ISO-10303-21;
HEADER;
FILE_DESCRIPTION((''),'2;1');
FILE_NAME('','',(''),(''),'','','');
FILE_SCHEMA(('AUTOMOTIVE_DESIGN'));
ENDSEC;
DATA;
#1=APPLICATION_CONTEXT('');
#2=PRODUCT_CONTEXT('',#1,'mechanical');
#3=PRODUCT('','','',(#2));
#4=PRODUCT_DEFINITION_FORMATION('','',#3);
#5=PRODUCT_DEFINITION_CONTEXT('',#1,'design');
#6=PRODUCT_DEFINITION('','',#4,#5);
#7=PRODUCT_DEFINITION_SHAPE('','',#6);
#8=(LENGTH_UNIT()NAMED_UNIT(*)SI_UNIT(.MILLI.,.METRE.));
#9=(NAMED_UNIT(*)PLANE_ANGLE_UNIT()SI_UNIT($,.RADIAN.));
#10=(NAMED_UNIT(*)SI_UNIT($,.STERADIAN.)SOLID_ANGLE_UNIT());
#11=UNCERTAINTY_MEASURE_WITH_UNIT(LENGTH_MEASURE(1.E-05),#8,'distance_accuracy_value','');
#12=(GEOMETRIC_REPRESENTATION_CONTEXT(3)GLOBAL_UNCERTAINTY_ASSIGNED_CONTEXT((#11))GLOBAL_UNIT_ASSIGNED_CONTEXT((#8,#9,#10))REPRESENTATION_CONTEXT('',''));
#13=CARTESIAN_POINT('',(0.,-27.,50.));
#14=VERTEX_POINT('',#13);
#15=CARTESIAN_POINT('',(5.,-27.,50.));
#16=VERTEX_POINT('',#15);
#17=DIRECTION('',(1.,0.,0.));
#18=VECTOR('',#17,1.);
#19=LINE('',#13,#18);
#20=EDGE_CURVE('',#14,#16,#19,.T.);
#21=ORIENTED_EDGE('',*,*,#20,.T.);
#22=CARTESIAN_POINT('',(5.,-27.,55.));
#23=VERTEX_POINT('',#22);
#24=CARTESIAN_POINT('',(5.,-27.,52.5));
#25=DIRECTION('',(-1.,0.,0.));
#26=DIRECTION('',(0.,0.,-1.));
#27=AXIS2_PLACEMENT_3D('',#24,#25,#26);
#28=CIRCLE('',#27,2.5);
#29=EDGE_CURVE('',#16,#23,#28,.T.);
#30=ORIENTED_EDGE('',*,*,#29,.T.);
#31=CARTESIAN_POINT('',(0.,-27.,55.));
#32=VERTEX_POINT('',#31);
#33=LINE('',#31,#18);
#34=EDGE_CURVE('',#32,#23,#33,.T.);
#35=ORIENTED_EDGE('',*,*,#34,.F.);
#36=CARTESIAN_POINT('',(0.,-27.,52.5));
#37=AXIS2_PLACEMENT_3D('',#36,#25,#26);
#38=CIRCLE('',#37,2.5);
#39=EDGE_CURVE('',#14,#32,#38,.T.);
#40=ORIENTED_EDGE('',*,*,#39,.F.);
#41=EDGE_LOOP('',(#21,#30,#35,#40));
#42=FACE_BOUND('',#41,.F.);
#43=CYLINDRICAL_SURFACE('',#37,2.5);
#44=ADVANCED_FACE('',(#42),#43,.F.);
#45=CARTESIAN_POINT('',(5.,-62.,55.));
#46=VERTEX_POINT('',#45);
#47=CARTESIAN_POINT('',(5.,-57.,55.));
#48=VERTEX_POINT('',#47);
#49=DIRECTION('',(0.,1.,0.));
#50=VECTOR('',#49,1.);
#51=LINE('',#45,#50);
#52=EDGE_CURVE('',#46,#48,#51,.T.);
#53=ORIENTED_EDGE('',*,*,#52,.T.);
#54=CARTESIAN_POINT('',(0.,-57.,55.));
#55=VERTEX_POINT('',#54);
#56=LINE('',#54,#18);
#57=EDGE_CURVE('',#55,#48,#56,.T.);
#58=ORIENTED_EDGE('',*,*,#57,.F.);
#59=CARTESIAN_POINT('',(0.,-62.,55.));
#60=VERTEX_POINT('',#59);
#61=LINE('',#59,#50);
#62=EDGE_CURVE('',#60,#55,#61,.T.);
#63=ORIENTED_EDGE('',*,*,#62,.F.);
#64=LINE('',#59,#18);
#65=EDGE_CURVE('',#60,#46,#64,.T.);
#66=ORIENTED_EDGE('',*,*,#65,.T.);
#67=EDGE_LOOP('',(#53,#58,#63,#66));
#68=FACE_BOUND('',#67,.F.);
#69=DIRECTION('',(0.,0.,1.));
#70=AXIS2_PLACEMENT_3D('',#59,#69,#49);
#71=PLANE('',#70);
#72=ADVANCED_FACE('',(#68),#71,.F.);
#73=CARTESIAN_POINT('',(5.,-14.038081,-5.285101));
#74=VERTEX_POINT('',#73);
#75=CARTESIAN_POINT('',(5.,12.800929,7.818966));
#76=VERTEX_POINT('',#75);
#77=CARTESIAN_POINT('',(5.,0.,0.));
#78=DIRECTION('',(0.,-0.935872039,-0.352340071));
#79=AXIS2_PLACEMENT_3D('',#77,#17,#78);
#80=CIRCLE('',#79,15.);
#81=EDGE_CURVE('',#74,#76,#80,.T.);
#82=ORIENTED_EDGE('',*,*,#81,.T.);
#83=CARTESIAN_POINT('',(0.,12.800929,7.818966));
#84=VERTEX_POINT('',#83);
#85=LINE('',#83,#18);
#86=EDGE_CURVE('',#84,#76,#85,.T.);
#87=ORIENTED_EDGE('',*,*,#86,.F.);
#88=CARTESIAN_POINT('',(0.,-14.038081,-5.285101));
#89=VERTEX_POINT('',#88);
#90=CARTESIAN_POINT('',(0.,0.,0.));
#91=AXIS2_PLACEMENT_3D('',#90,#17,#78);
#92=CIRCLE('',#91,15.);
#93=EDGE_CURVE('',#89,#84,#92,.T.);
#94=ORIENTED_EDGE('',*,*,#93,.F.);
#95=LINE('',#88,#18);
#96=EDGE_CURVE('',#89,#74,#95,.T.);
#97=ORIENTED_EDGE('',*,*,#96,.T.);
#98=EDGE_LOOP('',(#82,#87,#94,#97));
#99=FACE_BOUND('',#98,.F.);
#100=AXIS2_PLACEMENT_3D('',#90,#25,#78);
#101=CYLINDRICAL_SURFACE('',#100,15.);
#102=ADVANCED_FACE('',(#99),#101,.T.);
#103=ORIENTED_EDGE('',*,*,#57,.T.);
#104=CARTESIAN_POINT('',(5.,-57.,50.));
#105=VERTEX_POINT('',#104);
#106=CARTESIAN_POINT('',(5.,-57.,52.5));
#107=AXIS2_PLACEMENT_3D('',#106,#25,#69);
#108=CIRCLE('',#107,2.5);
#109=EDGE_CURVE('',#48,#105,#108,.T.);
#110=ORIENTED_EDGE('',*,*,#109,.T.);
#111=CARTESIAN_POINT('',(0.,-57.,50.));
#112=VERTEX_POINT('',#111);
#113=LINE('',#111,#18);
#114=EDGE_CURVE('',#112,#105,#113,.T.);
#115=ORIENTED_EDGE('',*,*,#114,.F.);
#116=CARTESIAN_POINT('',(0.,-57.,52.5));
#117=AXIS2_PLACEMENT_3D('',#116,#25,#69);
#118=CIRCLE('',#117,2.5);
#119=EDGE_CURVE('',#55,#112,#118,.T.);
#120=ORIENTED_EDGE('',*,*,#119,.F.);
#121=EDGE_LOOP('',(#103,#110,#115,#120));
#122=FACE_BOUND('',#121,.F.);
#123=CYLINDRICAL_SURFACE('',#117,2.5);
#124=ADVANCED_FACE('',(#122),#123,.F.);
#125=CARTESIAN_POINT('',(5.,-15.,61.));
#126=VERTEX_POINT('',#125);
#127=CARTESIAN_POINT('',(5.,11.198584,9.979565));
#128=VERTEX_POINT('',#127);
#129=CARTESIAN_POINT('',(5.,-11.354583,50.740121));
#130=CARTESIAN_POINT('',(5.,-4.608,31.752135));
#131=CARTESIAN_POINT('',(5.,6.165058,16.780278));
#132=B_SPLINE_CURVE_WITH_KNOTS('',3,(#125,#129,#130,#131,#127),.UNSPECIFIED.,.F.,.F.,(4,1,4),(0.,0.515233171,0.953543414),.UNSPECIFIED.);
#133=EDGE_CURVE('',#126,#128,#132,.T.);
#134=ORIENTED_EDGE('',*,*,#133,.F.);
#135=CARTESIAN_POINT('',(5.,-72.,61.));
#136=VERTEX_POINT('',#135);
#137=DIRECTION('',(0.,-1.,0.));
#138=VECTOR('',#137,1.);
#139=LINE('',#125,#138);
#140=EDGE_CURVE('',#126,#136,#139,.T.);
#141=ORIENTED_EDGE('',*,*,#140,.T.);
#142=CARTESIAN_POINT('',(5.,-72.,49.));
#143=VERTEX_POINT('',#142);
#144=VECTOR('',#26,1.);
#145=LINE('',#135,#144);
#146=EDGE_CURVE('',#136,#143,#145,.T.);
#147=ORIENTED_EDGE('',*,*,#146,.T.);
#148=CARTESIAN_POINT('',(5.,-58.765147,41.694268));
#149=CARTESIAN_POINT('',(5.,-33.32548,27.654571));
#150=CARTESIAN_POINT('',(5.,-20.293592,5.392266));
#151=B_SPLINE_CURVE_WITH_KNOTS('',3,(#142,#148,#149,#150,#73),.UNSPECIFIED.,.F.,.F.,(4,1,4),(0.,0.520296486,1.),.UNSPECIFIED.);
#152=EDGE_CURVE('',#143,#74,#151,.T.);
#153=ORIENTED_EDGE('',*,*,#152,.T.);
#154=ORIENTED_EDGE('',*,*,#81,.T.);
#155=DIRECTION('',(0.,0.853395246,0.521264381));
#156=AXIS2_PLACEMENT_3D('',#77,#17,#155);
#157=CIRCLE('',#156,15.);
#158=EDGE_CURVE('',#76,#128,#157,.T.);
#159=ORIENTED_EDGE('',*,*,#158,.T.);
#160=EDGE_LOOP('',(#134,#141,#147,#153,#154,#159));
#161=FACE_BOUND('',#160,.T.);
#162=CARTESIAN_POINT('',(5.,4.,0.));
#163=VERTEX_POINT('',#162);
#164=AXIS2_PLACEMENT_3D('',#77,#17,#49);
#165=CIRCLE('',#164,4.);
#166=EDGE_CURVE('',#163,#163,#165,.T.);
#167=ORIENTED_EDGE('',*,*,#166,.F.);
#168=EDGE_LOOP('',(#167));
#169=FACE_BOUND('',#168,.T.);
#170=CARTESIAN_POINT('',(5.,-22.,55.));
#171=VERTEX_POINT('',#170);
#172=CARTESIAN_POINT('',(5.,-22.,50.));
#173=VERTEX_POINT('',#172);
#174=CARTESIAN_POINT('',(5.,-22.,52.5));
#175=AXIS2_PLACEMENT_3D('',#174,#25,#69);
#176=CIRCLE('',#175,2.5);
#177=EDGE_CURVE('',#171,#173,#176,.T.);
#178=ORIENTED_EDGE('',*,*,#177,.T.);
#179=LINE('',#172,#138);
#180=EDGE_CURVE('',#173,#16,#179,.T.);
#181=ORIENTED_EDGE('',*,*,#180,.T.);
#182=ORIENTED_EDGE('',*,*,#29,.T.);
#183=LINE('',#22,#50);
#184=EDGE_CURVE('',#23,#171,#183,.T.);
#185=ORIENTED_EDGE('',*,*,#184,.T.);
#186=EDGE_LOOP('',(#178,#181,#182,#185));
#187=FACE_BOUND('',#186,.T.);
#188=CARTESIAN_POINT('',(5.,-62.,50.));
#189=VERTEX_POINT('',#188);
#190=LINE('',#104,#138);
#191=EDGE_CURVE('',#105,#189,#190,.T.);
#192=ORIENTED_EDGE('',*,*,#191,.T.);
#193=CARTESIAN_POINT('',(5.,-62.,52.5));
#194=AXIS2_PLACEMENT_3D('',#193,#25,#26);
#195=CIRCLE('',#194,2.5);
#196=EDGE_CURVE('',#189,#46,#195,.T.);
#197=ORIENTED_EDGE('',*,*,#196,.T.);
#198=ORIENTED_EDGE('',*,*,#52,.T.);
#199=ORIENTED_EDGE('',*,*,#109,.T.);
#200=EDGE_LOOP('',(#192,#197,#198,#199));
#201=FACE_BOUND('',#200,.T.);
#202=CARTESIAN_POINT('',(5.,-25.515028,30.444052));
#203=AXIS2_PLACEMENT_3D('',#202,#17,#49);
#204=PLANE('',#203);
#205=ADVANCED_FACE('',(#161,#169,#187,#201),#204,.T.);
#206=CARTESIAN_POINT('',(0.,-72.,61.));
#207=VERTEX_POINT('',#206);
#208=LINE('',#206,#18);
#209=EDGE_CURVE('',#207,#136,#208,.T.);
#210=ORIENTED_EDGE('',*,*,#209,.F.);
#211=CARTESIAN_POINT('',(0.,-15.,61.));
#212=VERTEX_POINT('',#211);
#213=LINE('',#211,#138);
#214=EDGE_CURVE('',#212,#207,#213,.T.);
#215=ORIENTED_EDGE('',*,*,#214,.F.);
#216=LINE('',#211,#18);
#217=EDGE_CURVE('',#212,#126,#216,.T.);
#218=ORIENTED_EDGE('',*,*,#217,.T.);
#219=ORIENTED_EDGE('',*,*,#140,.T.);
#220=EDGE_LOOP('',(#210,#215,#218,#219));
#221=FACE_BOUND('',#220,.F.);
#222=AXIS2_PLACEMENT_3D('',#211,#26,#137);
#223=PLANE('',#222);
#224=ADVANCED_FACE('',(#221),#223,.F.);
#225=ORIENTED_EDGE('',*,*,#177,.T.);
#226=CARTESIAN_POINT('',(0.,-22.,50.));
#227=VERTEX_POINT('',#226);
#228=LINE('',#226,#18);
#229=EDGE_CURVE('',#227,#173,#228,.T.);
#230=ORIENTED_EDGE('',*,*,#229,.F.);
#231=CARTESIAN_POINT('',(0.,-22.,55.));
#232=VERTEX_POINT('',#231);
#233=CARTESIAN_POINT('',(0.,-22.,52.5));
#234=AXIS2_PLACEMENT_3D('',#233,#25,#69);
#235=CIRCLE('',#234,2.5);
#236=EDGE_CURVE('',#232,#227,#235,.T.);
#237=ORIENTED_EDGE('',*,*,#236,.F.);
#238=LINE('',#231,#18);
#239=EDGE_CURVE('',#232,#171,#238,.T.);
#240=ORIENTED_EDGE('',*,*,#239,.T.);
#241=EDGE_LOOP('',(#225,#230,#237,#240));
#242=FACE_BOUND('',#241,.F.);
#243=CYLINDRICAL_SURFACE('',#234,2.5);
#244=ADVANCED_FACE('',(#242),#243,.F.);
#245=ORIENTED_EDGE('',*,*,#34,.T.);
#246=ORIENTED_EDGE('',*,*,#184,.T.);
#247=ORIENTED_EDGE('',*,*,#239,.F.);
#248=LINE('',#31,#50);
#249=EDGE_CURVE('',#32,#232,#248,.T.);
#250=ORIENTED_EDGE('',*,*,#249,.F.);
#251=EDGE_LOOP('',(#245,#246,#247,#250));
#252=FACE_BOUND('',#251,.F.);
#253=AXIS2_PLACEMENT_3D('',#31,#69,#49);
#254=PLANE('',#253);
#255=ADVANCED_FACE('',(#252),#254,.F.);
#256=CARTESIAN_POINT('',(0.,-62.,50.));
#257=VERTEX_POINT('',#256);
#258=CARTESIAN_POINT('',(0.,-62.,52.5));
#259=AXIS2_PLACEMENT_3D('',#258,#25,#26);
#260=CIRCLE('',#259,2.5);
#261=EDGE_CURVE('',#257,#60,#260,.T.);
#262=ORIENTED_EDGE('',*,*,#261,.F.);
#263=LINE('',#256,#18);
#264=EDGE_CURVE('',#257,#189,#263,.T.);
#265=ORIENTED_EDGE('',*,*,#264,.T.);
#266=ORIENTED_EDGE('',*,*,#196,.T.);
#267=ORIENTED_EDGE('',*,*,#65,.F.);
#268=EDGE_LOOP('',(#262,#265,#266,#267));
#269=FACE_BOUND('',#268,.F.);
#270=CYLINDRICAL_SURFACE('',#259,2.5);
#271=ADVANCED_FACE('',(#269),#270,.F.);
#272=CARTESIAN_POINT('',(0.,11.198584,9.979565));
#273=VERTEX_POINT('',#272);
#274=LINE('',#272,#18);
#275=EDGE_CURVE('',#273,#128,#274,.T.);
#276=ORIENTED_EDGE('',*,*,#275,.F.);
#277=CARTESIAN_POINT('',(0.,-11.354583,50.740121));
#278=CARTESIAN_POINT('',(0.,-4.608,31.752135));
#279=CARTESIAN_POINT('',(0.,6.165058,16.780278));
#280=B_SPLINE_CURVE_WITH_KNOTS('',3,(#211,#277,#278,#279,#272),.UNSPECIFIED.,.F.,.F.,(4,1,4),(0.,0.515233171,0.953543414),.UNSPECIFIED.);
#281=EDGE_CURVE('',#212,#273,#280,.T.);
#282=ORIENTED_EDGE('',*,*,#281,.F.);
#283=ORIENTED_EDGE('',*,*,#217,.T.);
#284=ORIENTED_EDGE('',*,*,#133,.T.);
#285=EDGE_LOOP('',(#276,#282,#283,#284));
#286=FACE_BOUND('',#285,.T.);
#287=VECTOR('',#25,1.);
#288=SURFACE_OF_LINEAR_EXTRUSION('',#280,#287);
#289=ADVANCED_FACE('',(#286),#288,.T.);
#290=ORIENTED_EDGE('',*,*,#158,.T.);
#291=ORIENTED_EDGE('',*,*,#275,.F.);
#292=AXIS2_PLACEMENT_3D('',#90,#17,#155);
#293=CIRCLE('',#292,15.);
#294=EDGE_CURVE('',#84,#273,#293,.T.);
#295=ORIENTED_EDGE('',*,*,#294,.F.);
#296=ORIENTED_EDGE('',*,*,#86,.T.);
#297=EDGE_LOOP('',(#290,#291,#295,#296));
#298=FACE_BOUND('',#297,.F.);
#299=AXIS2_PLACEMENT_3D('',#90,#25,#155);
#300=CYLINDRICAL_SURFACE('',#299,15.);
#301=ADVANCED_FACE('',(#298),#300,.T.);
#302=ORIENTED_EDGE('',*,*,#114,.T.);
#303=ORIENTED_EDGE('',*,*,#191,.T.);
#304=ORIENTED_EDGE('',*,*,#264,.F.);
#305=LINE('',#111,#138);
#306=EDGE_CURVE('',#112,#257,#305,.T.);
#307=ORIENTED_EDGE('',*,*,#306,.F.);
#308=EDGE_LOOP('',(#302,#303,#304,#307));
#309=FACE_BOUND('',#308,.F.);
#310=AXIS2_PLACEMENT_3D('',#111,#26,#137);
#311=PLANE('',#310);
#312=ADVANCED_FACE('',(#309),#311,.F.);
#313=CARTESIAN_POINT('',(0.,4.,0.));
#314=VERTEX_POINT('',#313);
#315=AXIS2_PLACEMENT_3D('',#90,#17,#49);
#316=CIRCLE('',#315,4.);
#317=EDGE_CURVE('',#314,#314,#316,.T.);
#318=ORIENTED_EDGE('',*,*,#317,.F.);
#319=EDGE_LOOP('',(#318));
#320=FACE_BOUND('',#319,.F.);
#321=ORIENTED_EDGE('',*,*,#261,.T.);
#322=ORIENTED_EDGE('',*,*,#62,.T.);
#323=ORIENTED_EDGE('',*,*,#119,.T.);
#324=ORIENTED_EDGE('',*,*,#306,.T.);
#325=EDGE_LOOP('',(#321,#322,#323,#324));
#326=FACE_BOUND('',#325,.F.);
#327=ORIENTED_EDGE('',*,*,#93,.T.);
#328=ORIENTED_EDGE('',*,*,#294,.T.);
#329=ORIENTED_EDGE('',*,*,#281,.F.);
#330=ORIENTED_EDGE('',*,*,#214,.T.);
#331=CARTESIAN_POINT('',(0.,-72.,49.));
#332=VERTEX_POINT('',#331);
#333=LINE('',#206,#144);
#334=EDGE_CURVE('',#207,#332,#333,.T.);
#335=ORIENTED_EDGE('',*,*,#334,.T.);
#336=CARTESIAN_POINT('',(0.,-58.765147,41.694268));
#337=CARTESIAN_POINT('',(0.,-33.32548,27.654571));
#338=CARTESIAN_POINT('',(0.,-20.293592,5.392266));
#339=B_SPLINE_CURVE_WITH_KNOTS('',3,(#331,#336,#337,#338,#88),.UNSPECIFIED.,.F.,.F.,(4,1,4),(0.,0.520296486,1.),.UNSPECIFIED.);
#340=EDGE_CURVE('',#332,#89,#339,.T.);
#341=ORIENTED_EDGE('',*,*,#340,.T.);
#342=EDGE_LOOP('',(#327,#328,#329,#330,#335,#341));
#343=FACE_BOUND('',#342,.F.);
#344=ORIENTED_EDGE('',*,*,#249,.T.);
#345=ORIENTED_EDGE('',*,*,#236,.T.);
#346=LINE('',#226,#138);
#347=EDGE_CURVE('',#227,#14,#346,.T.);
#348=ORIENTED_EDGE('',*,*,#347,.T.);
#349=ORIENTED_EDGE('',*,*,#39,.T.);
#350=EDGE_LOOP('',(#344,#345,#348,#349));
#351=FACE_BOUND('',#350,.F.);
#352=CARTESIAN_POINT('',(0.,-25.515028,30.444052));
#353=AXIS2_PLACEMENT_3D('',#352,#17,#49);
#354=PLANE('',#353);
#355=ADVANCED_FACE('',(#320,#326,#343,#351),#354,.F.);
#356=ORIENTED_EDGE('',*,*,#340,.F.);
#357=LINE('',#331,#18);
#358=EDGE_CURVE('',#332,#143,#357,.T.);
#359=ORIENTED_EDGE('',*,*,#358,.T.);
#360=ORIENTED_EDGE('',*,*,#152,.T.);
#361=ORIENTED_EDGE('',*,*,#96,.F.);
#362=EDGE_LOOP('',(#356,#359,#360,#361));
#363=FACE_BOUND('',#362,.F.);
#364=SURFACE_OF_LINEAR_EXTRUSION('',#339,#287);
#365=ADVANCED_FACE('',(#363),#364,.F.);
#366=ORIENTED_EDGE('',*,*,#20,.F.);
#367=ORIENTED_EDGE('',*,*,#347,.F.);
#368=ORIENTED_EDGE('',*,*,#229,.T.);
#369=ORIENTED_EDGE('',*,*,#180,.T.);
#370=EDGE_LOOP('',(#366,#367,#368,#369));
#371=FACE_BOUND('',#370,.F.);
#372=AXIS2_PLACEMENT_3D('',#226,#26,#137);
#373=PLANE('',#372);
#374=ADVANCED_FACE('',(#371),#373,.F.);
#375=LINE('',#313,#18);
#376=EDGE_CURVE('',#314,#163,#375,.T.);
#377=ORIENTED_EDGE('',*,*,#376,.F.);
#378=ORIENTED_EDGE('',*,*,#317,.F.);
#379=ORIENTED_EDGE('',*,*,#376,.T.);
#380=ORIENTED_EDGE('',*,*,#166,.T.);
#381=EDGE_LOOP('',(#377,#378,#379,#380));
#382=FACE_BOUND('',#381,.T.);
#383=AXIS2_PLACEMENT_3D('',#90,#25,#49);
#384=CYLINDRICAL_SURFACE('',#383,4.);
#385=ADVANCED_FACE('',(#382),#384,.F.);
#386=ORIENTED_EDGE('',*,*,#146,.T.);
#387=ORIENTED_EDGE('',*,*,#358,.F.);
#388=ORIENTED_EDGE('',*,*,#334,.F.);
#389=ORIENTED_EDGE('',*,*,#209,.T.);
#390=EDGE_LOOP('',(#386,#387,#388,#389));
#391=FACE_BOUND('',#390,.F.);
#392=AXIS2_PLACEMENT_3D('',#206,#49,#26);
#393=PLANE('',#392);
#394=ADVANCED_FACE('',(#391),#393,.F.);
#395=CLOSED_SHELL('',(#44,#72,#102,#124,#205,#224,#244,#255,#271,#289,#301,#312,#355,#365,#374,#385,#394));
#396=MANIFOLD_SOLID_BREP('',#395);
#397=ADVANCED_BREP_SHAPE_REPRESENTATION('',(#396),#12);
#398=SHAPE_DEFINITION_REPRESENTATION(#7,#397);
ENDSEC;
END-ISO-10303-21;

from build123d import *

# Parameters (mm, degrees)
F0_R     = 4
F1_DEPTH = 5


with BuildPart() as f1:
    # F0 (on Right) → F1 (new body)
    with BuildSketch(Plane.YZ):
        with BuildLine():
            add(Edge.make_bspline(
                [(-72, 49), (-58.7651472885, 41.6942679299), (-33.3254798656, 27.6545707522), (-20.2935916666, 5.392266097), (-14.0380805906, -5.2851010711)],
                knots=[0, 0, 0, 0, 0.5202964859, 1, 1, 1, 1], degree=3))
            ThreePointArc((-14.0380805906, -5.2851010711), (6.5811684221, -13.4791773562), (12.8009286825, 7.8189657158))
            add(Edge.make_bspline(
                [(11.1985838646, 9.9795650921), (11.7320881968, 9.2587562619), (12.2665084396, 8.5388609888), (12.8009286825, 7.8189657158)],
                knots=[0.9535434139, 0.9535434139, 0.9535434139, 0.9535434139, 1, 1, 1, 1], degree=3))
            add(Edge.make_bspline(
                [(-15, 61), (-11.3545831433, 50.7401207014), (-4.6080003727, 31.7521345189), (6.1650583093, 16.780277755), (11.1985838646, 9.9795650921)],
                knots=[0, 0, 0, 0, 0.515233171, 0.9535434139, 0.9535434139, 0.9535434139, 0.9535434139], degree=3))
            Line((-15, 61), (-72, 61))
            Line((-72, 61), (-72, 49))
        make_face()
        Circle(F0_R, mode=Mode.SUBTRACT)
        with BuildLine():
            ThreePointArc((-62, 50), (-64.5, 52.5), (-62, 55))
            Line((-62, 55), (-57, 55))
            ThreePointArc((-57, 55), (-54.5, 52.5), (-57, 50))
            Line((-57, 50), (-62, 50))
        make_face(mode=Mode.SUBTRACT)
        with BuildLine():
            ThreePointArc((-27, 50), (-29.5, 52.5), (-27, 55))
            Line((-27, 55), (-22, 55))
            ThreePointArc((-22, 55), (-19.5, 52.5), (-22, 50))
            Line((-22, 50), (-27, 50))
        make_face(mode=Mode.SUBTRACT)
        with BuildLine():
            add(Edge.make_bspline(
                [(11.1985838646, 9.9795650921), (11.7320881968, 9.2587562619), (12.2665084396, 8.5388609888), (12.8009286825, 7.8189657158)],
                knots=[0.9535434139, 0.9535434139, 0.9535434139, 0.9535434139, 1, 1, 1, 1], degree=3))
            ThreePointArc((12.8009286825, 7.8189657158), (12.0482861039, 8.9352561216), (11.1985838646, 9.9795650921))
        make_face()
    extrude(amount=F1_DEPTH)


solid = f1.part
